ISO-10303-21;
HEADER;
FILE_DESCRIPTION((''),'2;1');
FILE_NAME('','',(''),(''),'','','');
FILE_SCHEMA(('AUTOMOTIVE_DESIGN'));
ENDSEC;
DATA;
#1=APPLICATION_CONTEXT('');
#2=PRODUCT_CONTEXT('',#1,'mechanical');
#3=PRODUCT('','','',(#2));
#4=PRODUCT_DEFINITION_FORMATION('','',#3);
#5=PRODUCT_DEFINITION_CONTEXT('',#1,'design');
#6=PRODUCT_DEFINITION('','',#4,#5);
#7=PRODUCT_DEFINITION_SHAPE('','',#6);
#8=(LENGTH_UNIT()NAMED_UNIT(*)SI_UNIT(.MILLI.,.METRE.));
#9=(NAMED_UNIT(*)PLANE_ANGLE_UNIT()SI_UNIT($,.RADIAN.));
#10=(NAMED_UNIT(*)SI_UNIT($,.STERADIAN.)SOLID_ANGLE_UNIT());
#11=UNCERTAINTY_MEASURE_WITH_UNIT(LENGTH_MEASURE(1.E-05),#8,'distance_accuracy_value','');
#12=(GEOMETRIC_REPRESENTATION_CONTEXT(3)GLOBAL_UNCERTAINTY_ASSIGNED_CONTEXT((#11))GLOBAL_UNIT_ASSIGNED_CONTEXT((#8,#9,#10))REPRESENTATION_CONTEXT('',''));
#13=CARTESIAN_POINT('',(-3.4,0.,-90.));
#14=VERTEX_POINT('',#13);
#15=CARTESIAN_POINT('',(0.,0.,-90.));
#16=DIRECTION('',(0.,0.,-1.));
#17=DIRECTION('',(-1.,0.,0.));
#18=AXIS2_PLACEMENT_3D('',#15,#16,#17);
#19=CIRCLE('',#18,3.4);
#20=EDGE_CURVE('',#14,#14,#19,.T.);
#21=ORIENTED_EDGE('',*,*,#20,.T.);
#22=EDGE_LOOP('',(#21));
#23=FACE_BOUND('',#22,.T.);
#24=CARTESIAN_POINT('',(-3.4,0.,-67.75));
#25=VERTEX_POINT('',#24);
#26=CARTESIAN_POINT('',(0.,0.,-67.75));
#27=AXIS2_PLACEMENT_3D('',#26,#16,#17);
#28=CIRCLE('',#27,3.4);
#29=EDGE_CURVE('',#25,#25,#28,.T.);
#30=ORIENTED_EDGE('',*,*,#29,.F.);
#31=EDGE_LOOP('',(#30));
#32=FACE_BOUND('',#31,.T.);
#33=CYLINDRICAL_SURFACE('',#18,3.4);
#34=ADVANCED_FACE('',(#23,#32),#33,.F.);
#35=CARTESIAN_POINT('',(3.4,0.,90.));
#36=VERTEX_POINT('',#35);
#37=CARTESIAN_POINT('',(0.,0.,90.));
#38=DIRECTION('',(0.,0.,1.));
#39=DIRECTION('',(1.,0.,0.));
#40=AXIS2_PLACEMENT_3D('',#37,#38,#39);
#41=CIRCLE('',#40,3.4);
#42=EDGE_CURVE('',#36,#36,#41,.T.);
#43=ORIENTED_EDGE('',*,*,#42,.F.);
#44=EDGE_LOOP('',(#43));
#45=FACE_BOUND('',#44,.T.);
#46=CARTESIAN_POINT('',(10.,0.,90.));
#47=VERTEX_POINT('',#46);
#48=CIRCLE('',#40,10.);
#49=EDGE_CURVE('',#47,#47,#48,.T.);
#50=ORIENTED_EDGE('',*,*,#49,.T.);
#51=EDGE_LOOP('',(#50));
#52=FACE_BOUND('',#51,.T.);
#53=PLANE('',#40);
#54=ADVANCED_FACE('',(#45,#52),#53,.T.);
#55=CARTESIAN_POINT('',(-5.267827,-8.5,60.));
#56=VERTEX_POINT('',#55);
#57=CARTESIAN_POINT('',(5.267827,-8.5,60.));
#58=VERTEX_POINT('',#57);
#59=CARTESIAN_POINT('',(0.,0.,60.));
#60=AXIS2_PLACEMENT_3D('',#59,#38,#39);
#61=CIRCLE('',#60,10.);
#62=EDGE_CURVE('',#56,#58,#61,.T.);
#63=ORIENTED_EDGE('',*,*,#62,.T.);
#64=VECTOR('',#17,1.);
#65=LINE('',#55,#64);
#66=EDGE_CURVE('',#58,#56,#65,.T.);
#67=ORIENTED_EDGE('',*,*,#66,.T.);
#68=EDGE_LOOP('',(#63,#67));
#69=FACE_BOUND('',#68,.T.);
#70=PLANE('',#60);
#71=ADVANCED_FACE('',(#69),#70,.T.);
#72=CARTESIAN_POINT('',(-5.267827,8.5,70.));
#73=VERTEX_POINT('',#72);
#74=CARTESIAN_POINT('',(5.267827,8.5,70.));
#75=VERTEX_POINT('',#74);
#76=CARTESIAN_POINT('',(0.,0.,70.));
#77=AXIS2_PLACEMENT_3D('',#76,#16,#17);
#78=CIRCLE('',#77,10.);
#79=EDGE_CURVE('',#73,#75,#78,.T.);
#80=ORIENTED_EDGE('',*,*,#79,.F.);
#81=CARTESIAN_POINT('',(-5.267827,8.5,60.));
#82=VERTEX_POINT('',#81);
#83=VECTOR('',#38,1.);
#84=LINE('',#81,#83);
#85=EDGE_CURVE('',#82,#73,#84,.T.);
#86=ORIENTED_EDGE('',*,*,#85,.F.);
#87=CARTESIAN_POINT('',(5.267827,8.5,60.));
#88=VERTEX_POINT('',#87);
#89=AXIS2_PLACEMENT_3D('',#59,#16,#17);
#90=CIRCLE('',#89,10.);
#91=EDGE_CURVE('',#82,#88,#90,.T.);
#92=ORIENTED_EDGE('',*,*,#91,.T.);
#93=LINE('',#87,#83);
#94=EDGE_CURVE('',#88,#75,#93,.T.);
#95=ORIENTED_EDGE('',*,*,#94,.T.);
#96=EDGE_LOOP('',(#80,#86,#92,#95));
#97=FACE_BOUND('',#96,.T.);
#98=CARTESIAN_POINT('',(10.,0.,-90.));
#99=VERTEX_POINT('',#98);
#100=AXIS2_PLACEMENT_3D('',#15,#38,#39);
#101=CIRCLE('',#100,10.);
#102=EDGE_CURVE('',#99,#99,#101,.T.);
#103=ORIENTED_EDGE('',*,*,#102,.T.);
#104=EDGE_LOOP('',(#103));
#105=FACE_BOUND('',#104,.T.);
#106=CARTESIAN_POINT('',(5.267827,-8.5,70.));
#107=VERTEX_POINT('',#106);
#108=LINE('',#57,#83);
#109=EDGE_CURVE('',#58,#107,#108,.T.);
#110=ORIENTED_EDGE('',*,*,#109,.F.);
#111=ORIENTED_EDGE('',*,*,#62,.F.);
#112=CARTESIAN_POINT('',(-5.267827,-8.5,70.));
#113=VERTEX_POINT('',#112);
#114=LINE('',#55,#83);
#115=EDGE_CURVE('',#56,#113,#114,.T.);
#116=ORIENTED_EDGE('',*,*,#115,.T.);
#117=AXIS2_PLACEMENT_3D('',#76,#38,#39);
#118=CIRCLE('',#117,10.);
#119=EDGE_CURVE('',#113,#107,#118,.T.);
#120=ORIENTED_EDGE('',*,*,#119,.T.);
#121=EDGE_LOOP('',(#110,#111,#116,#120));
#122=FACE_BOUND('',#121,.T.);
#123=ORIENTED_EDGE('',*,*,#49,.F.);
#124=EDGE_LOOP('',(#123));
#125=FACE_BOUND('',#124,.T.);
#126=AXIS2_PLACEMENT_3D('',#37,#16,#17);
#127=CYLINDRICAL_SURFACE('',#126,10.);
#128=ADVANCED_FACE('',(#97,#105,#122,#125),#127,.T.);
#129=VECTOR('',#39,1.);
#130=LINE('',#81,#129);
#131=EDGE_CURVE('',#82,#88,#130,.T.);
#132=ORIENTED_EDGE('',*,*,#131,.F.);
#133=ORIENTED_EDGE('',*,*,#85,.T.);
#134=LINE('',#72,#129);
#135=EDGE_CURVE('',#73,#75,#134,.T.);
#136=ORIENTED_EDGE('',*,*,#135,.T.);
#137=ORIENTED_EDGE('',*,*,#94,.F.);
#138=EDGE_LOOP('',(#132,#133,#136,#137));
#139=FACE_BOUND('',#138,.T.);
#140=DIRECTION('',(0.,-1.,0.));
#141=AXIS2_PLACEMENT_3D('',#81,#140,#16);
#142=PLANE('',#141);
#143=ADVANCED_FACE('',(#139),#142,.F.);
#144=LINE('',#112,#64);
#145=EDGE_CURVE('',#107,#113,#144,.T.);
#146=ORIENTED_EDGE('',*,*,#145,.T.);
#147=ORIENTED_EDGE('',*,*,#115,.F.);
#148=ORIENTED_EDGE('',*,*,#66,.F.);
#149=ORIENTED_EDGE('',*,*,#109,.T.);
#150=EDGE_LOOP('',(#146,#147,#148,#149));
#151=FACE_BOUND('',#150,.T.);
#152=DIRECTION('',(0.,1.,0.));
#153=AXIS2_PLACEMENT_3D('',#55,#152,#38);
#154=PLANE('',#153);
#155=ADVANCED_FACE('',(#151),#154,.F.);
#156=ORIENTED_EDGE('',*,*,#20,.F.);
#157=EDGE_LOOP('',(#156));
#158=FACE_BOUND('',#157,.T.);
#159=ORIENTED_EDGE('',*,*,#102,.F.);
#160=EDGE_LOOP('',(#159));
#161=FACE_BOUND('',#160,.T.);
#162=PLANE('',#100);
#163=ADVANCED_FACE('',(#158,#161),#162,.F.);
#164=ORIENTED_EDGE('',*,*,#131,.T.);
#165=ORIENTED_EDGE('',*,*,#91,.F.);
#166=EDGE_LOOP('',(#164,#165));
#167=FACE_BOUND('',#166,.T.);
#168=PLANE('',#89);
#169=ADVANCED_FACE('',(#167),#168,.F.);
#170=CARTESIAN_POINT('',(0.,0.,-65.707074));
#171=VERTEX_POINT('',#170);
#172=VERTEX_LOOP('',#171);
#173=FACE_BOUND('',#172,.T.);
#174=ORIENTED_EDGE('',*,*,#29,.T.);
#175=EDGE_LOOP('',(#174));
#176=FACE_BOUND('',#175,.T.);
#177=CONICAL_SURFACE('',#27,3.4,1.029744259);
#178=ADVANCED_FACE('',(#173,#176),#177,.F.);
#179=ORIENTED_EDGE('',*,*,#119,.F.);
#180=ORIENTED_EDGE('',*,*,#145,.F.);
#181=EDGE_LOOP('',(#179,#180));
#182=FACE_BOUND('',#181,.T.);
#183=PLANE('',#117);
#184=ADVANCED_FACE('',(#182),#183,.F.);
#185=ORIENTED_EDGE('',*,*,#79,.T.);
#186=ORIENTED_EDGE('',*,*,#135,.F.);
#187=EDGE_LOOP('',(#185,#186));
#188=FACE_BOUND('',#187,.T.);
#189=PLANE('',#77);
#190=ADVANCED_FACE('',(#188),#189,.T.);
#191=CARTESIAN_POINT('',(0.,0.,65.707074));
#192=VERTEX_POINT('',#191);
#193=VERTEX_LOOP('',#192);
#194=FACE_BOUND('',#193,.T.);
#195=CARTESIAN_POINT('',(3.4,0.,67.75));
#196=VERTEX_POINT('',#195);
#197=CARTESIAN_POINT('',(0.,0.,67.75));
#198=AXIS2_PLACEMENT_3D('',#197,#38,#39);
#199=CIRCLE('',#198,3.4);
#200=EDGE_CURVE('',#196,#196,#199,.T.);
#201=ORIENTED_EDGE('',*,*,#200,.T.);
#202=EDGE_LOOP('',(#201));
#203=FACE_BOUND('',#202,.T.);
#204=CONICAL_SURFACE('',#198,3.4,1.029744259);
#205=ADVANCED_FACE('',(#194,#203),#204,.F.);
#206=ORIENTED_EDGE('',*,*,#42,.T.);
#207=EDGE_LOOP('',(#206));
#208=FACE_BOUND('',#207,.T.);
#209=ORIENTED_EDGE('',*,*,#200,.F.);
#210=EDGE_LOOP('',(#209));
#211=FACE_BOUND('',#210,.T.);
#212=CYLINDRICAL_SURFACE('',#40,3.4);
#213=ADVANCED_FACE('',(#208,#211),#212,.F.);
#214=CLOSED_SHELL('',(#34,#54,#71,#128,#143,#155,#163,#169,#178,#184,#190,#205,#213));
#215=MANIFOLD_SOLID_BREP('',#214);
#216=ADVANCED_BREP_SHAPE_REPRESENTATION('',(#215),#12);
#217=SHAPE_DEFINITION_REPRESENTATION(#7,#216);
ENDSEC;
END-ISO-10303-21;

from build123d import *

# Parameters (mm, degrees)
SKIZZE1_R                       = 10
BASIS_LINEAR_AUSTRAGEN_DEPTH    = 90
SKIZZE5_W                       = 10.535653752
SKIZZE5_H                       = 1.5
SCHNITT_LINEAR_AUSTRAGEN1_DEPTH = 10


with BuildPart() as part:
    # Skizze1 → Basis-Linear austragen (new, symmetric)
    with BuildSketch(Plane.XY):
        with Locations(Location((0, 0, 0), (0, 0, 180))):
            Circle(SKIZZE1_R)
    extrude(amount=BASIS_LINEAR_AUSTRAGEN_DEPTH, both=True)

    # Skizze2 → M8 Gewindebohrung1 (revolve, cut)
    with BuildSketch(Plane(origin=(0, 0, 90), x_dir=(0, -1, 0), z_dir=(1, 0, 0))):
        Polygon((0, 0), (0, 24.292926105), (3.4, 22.25), (3.4, 0), align=None)
    m8_gewindebohrung1 = revolve(axis=Axis((0, 0, 96.35), (0, 0, -1)), mode=Mode.SUBTRACT)

    # Skizze5 → Schnitt-Linear austragen1 (cut)
    with BuildSketch(Plane.XY.offset(70)):
        with Locations((0, 9.25)):
            Rectangle(SKIZZE5_W, SKIZZE5_H)
        with Locations((0, -9.25)):
            Rectangle(SKIZZE5_W, SKIZZE5_H)
    extrude(amount=-SCHNITT_LINEAR_AUSTRAGEN1_DEPTH, mode=Mode.SUBTRACT)

    # Spiegeln1: M8 Gewindebohrung1 across plane
    add(m8_gewindebohrung1.mirror(Plane.XY), mode=Mode.SUBTRACT)


solid = part.part
